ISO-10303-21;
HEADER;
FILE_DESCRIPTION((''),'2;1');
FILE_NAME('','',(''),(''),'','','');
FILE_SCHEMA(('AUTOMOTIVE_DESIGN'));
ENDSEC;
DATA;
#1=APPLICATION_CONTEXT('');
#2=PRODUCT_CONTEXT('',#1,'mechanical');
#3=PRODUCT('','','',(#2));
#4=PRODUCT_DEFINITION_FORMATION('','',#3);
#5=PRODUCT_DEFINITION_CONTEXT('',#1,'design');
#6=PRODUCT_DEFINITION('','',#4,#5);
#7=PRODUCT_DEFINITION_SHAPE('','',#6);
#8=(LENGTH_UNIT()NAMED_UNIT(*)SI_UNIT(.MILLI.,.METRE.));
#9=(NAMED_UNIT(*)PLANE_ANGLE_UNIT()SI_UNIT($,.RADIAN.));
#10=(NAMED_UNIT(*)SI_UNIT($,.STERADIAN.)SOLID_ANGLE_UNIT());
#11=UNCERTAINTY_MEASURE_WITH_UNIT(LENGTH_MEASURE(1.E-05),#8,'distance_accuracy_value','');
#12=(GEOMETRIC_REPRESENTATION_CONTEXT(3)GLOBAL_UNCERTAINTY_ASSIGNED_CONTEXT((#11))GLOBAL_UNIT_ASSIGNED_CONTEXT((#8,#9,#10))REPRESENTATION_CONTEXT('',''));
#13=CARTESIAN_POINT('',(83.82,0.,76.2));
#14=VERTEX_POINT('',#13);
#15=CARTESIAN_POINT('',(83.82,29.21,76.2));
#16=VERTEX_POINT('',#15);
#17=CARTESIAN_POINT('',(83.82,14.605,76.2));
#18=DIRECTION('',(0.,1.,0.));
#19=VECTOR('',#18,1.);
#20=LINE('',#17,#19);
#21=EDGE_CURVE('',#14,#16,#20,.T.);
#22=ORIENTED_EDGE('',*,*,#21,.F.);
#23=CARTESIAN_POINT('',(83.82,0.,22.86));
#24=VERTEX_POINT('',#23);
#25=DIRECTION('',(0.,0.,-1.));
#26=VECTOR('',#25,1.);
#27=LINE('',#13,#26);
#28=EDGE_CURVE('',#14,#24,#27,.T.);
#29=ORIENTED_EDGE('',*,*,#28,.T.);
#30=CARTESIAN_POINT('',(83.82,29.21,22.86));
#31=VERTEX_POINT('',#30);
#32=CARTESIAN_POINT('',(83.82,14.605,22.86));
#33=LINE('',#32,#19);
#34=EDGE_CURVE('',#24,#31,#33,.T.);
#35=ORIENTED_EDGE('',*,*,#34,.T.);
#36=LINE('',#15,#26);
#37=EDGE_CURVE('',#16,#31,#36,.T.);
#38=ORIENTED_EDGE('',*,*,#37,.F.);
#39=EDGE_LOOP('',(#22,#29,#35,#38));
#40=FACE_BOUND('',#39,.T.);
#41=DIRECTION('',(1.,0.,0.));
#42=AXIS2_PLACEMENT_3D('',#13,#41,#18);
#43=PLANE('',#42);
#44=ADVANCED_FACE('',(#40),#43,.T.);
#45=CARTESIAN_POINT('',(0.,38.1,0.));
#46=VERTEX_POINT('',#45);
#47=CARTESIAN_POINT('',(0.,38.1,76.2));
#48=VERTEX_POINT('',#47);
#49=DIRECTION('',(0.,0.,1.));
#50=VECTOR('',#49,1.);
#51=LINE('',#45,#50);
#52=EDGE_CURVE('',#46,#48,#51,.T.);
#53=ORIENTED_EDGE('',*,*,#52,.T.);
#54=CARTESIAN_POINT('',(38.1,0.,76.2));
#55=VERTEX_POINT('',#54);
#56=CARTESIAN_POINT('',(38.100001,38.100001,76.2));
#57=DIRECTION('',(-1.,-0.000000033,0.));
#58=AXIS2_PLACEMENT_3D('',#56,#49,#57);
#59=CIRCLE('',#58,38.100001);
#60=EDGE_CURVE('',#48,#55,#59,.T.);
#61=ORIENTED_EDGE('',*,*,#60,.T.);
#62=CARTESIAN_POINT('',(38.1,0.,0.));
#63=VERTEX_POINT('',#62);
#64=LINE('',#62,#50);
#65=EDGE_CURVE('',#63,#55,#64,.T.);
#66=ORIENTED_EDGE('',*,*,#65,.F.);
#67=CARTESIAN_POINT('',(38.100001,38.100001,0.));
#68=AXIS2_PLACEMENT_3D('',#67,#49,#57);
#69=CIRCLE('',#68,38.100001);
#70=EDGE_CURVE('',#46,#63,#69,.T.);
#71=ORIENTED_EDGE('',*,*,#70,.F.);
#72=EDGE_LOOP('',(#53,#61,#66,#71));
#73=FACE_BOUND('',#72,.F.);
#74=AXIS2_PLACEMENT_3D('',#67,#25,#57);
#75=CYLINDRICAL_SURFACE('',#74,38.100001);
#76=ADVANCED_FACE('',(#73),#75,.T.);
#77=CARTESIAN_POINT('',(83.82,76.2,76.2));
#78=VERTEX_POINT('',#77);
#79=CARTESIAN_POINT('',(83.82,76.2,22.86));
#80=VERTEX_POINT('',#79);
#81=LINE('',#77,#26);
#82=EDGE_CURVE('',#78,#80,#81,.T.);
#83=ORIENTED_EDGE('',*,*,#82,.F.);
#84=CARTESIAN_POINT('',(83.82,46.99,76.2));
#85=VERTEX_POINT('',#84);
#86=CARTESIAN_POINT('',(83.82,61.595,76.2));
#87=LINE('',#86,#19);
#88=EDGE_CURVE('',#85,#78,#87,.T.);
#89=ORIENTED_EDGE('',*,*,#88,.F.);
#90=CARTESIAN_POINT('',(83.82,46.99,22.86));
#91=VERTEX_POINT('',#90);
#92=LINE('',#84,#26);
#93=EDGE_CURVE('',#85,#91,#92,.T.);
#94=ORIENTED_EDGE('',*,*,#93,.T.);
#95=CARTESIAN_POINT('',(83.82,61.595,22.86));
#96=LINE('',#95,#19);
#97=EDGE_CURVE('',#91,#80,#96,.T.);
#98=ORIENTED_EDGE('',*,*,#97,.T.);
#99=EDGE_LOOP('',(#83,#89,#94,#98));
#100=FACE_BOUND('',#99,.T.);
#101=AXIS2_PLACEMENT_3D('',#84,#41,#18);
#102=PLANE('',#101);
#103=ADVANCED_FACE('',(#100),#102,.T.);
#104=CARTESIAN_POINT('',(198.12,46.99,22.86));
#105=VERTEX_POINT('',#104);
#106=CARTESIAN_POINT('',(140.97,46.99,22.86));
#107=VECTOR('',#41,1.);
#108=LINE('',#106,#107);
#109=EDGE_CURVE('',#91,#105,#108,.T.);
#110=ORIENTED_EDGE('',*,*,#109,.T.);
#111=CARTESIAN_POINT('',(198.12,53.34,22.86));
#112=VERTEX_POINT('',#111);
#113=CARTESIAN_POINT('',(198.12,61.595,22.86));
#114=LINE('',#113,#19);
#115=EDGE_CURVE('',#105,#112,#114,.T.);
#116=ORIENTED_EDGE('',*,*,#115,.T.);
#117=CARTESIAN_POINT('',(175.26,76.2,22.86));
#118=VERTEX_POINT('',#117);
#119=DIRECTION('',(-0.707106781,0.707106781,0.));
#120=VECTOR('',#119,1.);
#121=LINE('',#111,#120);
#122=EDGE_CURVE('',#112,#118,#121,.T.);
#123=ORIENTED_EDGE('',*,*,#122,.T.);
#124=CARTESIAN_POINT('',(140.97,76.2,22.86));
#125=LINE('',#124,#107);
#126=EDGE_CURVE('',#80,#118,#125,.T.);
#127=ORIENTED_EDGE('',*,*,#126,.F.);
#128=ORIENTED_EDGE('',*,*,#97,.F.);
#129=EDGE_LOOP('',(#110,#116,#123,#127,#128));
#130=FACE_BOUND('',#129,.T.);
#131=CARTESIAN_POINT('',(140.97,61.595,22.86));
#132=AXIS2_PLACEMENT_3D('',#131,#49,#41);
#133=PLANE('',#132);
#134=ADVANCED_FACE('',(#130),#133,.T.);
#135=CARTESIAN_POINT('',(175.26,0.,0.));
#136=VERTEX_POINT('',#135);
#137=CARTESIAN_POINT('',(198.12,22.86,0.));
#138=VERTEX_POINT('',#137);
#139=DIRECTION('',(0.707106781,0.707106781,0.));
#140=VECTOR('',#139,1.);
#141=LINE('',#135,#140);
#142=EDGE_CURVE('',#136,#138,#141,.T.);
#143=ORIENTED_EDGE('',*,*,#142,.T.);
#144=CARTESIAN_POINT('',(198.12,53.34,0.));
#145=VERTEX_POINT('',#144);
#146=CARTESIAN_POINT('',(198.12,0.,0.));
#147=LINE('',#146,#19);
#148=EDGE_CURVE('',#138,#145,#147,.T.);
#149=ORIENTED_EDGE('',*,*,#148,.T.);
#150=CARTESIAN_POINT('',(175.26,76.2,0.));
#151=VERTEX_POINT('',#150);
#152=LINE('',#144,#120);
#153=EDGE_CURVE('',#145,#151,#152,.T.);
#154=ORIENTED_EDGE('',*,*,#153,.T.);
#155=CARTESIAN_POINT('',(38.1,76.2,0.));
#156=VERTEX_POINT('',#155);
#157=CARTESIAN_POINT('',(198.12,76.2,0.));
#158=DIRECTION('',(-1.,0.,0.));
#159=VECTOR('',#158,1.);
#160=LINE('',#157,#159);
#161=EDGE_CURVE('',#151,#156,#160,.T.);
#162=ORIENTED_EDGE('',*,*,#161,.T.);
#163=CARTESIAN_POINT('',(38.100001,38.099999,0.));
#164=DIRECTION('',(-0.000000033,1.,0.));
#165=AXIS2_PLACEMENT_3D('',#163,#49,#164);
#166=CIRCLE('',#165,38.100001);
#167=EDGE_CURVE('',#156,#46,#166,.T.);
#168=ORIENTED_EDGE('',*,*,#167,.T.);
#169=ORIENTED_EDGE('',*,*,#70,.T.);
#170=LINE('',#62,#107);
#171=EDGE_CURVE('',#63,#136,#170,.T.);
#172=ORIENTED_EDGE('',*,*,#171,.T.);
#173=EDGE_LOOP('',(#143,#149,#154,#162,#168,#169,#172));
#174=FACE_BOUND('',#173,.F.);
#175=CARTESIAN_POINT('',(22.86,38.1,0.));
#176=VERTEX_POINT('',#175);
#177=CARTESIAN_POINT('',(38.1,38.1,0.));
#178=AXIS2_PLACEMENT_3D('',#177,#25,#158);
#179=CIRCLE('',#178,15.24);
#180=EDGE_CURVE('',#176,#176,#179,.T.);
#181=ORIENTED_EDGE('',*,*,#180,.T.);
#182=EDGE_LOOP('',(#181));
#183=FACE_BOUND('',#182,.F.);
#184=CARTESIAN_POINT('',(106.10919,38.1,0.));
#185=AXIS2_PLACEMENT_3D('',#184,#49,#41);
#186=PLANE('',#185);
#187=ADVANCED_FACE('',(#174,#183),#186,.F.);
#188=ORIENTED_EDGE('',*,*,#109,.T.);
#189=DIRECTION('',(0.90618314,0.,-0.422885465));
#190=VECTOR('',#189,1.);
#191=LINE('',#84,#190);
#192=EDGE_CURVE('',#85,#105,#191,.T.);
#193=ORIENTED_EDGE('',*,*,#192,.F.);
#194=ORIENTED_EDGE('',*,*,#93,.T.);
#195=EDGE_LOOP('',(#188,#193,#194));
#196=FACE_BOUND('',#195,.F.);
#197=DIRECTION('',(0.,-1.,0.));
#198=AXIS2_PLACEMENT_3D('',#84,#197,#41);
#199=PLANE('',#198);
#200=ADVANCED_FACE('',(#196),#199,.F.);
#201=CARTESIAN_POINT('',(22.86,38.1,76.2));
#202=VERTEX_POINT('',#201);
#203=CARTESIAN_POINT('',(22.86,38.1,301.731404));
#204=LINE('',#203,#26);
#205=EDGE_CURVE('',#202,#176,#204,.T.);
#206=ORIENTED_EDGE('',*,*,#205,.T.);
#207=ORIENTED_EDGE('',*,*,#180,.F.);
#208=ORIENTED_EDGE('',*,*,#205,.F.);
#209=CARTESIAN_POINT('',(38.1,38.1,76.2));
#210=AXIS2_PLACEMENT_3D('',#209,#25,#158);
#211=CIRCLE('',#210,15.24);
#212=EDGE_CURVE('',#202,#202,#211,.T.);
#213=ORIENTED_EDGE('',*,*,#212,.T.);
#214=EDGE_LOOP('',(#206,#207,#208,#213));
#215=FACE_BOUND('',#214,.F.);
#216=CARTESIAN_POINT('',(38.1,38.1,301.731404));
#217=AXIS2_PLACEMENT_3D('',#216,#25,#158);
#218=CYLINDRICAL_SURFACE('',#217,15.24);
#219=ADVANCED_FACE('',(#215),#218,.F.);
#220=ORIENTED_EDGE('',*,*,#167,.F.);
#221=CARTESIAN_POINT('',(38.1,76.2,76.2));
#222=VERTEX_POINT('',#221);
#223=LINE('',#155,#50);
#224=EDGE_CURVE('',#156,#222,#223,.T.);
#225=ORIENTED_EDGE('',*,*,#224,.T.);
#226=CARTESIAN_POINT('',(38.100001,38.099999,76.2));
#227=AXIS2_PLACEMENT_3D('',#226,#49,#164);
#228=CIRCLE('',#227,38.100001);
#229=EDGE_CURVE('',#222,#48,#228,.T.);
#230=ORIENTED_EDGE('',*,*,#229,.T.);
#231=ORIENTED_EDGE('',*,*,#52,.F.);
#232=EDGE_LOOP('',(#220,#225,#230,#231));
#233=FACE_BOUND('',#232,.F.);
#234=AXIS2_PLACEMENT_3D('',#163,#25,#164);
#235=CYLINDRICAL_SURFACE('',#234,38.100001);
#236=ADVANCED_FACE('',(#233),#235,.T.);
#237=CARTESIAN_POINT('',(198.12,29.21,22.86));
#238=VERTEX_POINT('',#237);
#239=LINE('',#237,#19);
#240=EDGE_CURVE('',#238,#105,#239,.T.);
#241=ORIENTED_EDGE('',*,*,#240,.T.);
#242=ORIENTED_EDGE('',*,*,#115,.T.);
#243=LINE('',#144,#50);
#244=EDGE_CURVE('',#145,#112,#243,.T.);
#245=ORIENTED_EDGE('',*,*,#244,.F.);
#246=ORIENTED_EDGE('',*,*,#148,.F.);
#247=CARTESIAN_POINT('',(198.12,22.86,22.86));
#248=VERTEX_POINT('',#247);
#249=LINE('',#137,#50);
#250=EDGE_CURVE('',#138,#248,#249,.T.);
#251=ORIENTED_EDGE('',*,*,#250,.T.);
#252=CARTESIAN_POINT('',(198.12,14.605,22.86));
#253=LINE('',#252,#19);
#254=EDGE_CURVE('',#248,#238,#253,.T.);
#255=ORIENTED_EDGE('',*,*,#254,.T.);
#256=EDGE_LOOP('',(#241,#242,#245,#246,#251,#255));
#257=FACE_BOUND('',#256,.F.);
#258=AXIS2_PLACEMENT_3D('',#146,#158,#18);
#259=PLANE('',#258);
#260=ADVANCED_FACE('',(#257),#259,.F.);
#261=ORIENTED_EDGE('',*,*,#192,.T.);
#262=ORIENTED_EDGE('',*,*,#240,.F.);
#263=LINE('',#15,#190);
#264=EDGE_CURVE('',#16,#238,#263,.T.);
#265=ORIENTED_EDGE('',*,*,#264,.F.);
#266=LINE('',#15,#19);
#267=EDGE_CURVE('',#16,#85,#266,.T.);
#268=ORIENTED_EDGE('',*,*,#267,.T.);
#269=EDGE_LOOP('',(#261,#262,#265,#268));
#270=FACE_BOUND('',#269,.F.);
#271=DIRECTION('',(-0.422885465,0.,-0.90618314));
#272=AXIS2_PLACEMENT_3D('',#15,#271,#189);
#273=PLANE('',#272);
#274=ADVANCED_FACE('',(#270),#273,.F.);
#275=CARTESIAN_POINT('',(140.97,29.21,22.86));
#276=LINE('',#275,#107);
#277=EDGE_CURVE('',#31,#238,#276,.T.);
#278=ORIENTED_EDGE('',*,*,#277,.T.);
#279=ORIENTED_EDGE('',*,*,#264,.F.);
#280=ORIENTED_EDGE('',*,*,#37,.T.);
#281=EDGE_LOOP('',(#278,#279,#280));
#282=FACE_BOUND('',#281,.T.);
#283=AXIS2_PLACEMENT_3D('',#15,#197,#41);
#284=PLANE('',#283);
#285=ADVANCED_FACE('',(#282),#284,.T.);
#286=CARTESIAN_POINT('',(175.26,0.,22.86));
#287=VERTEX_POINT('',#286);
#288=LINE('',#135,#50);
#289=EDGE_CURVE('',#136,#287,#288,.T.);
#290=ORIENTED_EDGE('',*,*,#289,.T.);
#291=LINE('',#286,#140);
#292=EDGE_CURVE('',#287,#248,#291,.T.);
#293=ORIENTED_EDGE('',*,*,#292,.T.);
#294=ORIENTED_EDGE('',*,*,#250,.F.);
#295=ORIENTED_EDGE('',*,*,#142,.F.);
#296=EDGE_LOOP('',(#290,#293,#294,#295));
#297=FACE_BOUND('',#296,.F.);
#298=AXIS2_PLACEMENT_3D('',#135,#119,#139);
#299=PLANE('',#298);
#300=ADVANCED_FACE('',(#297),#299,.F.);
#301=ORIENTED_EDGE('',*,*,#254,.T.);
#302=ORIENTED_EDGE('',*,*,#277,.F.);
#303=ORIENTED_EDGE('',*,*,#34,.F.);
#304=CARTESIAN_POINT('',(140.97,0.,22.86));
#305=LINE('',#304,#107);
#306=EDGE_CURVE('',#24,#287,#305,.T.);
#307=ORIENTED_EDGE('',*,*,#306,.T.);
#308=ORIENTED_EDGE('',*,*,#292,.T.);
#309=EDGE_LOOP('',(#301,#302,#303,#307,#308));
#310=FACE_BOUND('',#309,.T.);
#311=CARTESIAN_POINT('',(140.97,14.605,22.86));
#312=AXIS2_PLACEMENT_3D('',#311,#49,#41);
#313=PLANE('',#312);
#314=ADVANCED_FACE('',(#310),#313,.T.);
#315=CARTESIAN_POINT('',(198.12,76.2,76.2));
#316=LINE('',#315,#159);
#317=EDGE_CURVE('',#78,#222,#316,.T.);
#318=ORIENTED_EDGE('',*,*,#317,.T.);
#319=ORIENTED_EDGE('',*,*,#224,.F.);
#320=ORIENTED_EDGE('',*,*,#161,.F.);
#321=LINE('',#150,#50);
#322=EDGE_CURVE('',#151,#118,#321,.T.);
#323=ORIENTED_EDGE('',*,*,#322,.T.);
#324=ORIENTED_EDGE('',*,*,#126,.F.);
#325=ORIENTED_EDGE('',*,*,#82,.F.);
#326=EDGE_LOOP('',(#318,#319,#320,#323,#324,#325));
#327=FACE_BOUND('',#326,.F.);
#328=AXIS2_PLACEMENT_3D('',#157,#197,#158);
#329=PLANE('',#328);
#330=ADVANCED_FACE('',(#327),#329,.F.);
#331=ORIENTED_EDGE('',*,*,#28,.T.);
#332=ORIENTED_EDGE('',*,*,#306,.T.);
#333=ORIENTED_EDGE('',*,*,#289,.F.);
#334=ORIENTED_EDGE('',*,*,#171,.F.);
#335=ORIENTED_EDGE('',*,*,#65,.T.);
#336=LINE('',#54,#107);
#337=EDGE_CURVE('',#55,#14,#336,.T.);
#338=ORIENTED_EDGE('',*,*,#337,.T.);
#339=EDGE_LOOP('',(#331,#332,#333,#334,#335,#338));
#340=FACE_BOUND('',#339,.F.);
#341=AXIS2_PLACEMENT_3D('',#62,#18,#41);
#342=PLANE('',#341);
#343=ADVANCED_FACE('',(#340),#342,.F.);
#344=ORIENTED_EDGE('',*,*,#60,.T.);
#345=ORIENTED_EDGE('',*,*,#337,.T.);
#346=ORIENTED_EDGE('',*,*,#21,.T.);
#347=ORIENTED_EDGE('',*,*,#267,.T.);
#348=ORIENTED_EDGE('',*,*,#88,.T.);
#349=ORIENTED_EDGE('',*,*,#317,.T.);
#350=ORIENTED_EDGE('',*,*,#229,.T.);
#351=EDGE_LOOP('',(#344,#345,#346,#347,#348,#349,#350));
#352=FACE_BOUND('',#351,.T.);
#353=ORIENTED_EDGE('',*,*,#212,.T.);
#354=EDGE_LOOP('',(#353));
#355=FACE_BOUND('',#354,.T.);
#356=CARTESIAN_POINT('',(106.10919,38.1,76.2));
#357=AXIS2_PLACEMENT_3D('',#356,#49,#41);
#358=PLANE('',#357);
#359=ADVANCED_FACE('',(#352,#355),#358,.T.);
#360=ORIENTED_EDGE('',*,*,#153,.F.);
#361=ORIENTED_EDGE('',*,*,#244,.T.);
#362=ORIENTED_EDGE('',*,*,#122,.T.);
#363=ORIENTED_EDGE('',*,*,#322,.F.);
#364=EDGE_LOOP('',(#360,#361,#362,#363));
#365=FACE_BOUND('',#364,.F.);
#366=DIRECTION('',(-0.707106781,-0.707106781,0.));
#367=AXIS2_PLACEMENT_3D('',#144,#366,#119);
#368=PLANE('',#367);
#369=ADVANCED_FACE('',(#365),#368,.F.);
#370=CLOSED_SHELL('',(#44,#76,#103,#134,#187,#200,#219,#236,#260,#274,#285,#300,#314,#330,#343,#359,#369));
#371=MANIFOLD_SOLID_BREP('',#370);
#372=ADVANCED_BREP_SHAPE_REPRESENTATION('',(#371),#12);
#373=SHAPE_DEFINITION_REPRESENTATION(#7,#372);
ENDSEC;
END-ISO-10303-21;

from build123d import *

# Parameters (mm, degrees)
F1_DEPTH = 76.2
F3_D     = 30.48
F2_W     = 114.3
F2_H     = 29.21
F4_DEPTH = 53.34
F6_DEPTH = 17.78
F8_DEPTH = 22.86


with BuildPart() as f1:
    # F0 (on Top) → F1 (new body)
    with BuildSketch(Plane.XY):
        with BuildLine():
            ThreePointArc((0, 38.1), (11.159232, 11.159232), (38.1, 0))
            Line((38.1, 0), (198.12, 0))
            Line((198.12, 0), (198.12, 76.2))
            Line((198.12, 76.2), (38.1, 76.2))
            ThreePointArc((38.1, 76.2), (11.159232, 65.040768), (0, 38.1))
        make_face()
    extrude(amount=F1_DEPTH)

    # F3 (through all)
    with Locations(Plane.XY.offset(76.2)):
        with Locations((38.1, 38.1)):
            Hole(F3_D / 2)

    # F2 (on face) → F4 (cut)
    with BuildSketch(Plane.XY.offset(76.2)):
        with Locations((140.97, 61.595)):
            Rectangle(F2_W, F2_H)
        with Locations((140.97, 14.605)):
            Rectangle(F2_W, F2_H)
    extrude(amount=-F4_DEPTH, mode=Mode.SUBTRACT)

    # F5 (on face) → F6 (cut)
    with BuildSketch(Plane.XZ.offset(-29.21)):
        Polygon((198.12, 76.2), (83.82, 76.2), (198.12, 22.86), align=None)
    extrude(amount=-F6_DEPTH, mode=Mode.SUBTRACT)

    # F7 (on face) → F8 (cut)
    with BuildSketch(Plane(origin=(0, 0, 0), x_dir=(1, 0, 0), z_dir=(0, 0, -1))):
        Polygon((198.12, 0), (175.26, 0), (198.12, -22.86), align=None)
        Polygon((198.12, -76.2), (198.12, -53.34), (175.26, -76.2), align=None)
    extrude(amount=-F8_DEPTH, mode=Mode.SUBTRACT)


solid = f1.part
